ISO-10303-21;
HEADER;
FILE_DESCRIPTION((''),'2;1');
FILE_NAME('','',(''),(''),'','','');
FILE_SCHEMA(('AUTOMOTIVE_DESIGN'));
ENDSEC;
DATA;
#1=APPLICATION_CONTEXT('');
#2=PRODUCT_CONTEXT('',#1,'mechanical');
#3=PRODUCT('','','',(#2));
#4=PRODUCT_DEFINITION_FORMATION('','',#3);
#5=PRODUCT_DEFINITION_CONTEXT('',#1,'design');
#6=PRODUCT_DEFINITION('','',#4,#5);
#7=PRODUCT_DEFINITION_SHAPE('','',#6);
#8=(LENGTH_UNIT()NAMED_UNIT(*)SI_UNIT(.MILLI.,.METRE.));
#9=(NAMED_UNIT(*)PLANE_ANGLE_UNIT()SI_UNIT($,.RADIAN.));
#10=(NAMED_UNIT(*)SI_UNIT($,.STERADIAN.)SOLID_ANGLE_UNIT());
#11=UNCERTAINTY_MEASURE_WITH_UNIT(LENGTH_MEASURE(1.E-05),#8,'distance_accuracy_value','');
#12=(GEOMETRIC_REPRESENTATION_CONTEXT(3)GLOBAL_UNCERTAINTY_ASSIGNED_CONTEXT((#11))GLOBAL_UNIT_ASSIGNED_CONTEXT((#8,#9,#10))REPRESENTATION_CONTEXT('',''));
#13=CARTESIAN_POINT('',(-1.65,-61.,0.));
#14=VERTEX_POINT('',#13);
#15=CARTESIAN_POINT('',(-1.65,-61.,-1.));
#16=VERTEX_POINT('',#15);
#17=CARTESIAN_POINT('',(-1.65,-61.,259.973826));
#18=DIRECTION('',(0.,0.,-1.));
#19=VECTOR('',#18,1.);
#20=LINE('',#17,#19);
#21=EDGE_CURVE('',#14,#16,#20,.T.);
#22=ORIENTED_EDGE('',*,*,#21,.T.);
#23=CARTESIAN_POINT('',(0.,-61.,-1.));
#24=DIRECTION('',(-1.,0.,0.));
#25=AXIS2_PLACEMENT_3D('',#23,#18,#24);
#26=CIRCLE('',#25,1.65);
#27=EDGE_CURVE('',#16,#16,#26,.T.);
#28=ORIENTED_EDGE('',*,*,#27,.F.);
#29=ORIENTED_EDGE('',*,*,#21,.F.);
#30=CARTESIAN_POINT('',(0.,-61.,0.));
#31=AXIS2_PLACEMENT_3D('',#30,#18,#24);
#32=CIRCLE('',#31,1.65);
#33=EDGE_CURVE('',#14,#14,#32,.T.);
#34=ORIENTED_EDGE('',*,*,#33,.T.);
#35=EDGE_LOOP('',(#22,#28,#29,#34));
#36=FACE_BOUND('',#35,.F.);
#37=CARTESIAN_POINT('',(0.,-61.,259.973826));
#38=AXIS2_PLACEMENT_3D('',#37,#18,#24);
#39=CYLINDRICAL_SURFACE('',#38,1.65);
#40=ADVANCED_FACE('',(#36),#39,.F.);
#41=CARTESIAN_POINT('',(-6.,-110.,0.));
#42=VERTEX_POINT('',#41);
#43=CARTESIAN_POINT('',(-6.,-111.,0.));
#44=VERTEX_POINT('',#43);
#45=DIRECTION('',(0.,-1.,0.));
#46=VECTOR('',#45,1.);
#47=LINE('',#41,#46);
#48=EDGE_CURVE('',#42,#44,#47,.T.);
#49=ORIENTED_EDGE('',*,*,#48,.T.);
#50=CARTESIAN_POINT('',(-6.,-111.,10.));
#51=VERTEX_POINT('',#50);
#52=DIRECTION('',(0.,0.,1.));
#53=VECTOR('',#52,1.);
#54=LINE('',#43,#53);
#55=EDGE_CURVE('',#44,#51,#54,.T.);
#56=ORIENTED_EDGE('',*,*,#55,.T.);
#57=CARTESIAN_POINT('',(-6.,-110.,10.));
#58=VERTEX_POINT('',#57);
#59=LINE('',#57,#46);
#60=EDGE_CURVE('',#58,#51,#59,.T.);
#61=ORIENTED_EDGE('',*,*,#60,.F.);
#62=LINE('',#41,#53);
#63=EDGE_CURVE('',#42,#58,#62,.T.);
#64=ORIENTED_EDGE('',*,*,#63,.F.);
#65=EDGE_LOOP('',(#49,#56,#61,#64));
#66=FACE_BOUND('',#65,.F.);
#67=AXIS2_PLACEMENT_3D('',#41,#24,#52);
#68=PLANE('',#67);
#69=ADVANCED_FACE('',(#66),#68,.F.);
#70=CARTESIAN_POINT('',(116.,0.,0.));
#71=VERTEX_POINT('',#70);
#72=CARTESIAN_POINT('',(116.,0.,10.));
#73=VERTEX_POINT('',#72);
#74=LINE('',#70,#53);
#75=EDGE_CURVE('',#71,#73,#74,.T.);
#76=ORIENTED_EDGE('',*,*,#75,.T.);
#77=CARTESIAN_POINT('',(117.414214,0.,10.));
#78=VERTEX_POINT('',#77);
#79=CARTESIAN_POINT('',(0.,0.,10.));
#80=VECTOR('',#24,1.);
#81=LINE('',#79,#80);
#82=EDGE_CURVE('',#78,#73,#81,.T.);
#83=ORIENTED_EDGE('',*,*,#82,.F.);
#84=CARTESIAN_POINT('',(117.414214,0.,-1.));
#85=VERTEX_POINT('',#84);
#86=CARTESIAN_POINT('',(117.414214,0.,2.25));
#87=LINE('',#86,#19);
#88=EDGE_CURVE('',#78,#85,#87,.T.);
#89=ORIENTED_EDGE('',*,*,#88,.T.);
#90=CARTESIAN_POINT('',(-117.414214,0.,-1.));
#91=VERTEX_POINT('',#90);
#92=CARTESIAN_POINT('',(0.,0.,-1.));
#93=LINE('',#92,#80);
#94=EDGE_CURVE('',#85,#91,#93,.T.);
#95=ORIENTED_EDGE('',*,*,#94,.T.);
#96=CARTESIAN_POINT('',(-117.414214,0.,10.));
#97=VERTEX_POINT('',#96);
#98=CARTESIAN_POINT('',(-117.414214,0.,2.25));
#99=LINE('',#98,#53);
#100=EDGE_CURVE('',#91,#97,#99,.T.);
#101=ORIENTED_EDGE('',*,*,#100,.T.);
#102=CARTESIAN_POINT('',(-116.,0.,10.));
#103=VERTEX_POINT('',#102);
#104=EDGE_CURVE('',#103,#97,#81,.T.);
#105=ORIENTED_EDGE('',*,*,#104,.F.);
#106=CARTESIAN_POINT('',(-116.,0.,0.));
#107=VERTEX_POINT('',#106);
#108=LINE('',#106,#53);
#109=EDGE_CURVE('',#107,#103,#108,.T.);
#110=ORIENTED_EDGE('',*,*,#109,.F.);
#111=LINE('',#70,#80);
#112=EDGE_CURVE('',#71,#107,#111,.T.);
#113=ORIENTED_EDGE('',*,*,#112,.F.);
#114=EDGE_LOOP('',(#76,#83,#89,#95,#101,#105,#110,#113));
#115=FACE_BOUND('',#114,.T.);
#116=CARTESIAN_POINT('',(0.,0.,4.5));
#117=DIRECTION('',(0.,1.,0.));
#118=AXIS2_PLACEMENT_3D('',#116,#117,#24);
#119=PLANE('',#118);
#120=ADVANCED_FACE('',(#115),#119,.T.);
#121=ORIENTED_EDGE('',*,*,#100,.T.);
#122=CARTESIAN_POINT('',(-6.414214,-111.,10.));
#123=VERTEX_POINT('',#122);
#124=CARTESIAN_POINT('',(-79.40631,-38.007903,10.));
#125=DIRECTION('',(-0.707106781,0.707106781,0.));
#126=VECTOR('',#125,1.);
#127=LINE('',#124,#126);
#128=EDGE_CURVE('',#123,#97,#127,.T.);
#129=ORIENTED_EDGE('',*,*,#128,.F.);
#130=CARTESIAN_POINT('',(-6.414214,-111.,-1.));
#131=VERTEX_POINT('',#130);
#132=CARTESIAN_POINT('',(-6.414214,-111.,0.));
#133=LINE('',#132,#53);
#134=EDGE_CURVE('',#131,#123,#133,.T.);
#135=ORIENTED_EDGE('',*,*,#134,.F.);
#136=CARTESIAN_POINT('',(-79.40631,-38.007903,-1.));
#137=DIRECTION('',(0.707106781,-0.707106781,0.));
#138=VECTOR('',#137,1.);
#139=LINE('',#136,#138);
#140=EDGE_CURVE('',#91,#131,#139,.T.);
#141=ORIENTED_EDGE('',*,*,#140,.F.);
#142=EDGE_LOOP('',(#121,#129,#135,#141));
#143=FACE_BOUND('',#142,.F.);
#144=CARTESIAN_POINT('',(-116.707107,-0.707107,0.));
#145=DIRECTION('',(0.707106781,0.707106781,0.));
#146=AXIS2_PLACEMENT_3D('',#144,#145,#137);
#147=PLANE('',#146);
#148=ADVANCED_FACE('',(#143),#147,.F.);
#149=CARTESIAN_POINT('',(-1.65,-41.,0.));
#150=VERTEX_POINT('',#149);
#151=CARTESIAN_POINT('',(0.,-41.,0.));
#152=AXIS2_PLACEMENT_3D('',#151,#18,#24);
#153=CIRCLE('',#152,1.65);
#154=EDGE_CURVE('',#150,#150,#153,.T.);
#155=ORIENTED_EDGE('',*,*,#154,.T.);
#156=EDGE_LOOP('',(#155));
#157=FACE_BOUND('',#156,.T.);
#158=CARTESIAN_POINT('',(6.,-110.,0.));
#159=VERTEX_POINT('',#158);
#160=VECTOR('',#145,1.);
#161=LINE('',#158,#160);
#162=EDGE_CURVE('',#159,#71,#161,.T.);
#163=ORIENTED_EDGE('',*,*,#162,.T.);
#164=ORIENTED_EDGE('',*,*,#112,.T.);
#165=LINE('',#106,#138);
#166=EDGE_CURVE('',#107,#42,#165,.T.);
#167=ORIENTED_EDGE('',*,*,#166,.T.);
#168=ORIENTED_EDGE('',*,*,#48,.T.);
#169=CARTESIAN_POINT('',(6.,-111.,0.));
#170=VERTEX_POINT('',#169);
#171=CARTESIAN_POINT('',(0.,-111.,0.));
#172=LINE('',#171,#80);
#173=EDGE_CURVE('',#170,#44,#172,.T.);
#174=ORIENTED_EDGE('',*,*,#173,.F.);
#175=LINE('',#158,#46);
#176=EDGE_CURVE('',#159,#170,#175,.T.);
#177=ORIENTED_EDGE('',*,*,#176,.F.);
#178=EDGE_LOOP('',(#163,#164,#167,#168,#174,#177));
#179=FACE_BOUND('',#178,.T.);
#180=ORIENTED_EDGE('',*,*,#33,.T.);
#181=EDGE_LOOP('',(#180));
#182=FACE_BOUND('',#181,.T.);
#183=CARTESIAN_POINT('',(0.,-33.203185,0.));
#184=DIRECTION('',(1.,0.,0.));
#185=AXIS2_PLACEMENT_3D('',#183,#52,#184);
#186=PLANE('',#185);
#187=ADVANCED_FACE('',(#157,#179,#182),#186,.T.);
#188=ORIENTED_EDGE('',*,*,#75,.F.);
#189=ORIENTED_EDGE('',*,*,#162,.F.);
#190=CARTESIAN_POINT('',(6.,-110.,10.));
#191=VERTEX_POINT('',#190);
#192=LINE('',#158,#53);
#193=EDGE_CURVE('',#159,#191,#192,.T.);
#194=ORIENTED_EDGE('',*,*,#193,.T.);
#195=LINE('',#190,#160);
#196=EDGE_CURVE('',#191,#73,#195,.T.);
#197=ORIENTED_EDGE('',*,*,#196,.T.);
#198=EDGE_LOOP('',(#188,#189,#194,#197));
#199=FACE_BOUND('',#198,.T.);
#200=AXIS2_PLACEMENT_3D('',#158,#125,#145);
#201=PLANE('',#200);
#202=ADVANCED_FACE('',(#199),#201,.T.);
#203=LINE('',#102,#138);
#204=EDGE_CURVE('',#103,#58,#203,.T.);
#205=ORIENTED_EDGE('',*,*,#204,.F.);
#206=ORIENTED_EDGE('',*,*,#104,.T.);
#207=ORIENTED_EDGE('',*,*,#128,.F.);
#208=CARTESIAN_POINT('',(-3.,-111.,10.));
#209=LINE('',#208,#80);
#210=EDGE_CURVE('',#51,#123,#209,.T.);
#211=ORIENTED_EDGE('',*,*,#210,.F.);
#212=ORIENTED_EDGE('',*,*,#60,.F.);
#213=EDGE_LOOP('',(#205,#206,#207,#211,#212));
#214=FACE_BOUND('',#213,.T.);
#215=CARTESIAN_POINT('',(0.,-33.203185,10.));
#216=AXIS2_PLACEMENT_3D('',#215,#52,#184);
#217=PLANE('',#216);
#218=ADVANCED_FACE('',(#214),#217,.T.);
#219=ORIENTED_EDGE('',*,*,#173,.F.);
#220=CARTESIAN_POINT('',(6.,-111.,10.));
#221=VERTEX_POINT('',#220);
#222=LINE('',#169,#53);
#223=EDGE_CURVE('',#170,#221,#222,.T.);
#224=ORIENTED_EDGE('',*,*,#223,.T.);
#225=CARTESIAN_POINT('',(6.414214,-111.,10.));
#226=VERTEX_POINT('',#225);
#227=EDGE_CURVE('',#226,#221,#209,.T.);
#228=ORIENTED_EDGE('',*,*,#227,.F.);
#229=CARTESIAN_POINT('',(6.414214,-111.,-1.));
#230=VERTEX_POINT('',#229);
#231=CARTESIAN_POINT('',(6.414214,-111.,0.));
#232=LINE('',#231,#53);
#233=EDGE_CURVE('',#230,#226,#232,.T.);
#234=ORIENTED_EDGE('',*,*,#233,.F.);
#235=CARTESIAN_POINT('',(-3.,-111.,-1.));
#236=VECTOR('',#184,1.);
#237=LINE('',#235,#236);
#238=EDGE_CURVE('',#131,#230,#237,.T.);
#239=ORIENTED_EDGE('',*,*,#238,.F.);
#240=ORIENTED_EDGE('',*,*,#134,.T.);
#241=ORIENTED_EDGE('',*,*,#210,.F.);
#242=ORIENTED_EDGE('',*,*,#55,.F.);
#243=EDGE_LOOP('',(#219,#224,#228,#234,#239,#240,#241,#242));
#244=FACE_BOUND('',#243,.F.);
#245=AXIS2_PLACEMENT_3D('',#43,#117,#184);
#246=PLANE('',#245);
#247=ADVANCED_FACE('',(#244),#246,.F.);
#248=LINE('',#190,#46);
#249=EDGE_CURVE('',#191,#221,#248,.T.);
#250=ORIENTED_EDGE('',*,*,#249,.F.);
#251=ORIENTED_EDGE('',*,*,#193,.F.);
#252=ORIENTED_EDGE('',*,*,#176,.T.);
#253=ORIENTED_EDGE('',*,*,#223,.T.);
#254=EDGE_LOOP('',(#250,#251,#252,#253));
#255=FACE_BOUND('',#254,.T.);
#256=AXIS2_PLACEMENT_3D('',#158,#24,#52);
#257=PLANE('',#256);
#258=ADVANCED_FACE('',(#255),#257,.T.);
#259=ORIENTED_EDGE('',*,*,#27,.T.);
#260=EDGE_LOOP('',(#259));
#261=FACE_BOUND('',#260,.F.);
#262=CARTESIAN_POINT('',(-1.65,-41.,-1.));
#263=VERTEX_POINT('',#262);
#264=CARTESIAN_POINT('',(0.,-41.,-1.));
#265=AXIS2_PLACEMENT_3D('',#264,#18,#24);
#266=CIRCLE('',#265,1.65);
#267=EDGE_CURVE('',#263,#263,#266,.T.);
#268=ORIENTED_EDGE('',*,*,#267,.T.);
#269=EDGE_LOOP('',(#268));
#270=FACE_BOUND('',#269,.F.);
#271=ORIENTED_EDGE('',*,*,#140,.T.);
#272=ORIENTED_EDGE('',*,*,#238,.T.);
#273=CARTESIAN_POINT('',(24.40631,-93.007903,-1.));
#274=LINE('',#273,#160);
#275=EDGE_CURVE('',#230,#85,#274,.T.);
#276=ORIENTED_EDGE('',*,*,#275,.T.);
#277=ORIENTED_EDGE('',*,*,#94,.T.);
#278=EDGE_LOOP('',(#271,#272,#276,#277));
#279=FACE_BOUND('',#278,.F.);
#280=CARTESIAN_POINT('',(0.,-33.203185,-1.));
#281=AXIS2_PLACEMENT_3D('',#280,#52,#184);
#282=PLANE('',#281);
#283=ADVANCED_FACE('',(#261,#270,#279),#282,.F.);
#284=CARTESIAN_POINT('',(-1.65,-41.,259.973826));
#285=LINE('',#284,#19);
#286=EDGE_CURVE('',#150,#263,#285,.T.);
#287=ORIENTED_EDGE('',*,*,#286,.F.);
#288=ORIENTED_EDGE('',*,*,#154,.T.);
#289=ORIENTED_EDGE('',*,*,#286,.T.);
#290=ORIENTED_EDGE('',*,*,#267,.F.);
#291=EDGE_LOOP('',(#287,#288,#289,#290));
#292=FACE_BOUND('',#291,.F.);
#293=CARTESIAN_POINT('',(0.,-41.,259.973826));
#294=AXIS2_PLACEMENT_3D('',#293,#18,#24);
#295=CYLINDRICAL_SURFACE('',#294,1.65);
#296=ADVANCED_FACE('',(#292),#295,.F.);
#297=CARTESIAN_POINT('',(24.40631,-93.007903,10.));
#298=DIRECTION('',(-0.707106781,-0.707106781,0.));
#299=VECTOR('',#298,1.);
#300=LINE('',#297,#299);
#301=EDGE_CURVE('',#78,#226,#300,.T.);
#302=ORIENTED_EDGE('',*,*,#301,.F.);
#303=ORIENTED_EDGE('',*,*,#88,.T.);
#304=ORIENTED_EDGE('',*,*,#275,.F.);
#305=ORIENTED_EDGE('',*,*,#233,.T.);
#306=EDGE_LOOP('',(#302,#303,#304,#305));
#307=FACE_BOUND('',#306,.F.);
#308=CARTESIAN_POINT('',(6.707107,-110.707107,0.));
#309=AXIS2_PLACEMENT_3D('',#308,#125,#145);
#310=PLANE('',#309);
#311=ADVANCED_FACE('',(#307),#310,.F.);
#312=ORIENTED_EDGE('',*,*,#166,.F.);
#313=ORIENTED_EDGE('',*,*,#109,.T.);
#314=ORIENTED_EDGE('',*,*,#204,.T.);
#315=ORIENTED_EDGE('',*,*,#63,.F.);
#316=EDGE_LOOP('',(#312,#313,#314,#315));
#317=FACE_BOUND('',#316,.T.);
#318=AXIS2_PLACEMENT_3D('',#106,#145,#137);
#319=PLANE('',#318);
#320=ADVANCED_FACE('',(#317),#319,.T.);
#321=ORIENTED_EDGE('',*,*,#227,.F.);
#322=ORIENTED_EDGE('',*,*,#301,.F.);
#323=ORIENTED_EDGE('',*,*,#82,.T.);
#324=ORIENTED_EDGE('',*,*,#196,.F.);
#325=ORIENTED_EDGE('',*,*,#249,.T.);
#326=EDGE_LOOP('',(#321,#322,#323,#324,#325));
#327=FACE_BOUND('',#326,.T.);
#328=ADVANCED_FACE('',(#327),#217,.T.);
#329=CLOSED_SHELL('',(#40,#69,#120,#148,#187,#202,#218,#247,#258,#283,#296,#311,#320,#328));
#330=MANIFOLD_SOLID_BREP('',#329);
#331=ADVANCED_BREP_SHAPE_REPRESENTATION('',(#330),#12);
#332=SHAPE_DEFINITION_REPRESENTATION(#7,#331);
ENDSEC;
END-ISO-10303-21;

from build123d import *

# Parameters (mm, degrees)
F1_DEPTH = 10
F2_T     = 1
F3_W     = 12
F3_H     = 10
F4_DEPTH = 25
F5_W     = 236.8284271247
F5_H     = 11
F6_DEPTH = 1
F8_D     = 3.3


with BuildPart() as f1:
    # F0 (on Top) → F1 (new body)
    with BuildSketch(Plane.XY):
        Polygon((116, 0), (-116, 0), (-6, -110), (6, -110), align=None)
    extrude(amount=F1_DEPTH)

    # F2
    f2_openings = [f1.faces().sort_by_distance(p)[0] for p in [
        (0, -38.469945, 10),
    ]]
    offset(amount=F2_T, openings=f2_openings, kind=Kind.INTERSECTION)

    # F3 (on face) → F4 (cut)
    with BuildSketch(Plane(origin=(0, -110, 0), x_dir=(-1, 0, 0), z_dir=(0, 1, 0))):
        with Locations((0, 5)):
            Rectangle(F3_W, F3_H)
    extrude(amount=-F4_DEPTH, mode=Mode.SUBTRACT)

    # F5 (on face) → F6 (cut)
    with BuildSketch(Plane(origin=(0, 1, 0), x_dir=(-1, 0, 0), z_dir=(0, 1, 0))):
        with Locations((0, 4.5)):
            Rectangle(F5_W, F5_H)
    extrude(amount=-F6_DEPTH, mode=Mode.SUBTRACT)

    # F8 (through all)
    with Locations(Plane.XY):
        with Locations((0, -41), (0, -61)):
            Hole(F8_D / 2)


solid = f1.part
